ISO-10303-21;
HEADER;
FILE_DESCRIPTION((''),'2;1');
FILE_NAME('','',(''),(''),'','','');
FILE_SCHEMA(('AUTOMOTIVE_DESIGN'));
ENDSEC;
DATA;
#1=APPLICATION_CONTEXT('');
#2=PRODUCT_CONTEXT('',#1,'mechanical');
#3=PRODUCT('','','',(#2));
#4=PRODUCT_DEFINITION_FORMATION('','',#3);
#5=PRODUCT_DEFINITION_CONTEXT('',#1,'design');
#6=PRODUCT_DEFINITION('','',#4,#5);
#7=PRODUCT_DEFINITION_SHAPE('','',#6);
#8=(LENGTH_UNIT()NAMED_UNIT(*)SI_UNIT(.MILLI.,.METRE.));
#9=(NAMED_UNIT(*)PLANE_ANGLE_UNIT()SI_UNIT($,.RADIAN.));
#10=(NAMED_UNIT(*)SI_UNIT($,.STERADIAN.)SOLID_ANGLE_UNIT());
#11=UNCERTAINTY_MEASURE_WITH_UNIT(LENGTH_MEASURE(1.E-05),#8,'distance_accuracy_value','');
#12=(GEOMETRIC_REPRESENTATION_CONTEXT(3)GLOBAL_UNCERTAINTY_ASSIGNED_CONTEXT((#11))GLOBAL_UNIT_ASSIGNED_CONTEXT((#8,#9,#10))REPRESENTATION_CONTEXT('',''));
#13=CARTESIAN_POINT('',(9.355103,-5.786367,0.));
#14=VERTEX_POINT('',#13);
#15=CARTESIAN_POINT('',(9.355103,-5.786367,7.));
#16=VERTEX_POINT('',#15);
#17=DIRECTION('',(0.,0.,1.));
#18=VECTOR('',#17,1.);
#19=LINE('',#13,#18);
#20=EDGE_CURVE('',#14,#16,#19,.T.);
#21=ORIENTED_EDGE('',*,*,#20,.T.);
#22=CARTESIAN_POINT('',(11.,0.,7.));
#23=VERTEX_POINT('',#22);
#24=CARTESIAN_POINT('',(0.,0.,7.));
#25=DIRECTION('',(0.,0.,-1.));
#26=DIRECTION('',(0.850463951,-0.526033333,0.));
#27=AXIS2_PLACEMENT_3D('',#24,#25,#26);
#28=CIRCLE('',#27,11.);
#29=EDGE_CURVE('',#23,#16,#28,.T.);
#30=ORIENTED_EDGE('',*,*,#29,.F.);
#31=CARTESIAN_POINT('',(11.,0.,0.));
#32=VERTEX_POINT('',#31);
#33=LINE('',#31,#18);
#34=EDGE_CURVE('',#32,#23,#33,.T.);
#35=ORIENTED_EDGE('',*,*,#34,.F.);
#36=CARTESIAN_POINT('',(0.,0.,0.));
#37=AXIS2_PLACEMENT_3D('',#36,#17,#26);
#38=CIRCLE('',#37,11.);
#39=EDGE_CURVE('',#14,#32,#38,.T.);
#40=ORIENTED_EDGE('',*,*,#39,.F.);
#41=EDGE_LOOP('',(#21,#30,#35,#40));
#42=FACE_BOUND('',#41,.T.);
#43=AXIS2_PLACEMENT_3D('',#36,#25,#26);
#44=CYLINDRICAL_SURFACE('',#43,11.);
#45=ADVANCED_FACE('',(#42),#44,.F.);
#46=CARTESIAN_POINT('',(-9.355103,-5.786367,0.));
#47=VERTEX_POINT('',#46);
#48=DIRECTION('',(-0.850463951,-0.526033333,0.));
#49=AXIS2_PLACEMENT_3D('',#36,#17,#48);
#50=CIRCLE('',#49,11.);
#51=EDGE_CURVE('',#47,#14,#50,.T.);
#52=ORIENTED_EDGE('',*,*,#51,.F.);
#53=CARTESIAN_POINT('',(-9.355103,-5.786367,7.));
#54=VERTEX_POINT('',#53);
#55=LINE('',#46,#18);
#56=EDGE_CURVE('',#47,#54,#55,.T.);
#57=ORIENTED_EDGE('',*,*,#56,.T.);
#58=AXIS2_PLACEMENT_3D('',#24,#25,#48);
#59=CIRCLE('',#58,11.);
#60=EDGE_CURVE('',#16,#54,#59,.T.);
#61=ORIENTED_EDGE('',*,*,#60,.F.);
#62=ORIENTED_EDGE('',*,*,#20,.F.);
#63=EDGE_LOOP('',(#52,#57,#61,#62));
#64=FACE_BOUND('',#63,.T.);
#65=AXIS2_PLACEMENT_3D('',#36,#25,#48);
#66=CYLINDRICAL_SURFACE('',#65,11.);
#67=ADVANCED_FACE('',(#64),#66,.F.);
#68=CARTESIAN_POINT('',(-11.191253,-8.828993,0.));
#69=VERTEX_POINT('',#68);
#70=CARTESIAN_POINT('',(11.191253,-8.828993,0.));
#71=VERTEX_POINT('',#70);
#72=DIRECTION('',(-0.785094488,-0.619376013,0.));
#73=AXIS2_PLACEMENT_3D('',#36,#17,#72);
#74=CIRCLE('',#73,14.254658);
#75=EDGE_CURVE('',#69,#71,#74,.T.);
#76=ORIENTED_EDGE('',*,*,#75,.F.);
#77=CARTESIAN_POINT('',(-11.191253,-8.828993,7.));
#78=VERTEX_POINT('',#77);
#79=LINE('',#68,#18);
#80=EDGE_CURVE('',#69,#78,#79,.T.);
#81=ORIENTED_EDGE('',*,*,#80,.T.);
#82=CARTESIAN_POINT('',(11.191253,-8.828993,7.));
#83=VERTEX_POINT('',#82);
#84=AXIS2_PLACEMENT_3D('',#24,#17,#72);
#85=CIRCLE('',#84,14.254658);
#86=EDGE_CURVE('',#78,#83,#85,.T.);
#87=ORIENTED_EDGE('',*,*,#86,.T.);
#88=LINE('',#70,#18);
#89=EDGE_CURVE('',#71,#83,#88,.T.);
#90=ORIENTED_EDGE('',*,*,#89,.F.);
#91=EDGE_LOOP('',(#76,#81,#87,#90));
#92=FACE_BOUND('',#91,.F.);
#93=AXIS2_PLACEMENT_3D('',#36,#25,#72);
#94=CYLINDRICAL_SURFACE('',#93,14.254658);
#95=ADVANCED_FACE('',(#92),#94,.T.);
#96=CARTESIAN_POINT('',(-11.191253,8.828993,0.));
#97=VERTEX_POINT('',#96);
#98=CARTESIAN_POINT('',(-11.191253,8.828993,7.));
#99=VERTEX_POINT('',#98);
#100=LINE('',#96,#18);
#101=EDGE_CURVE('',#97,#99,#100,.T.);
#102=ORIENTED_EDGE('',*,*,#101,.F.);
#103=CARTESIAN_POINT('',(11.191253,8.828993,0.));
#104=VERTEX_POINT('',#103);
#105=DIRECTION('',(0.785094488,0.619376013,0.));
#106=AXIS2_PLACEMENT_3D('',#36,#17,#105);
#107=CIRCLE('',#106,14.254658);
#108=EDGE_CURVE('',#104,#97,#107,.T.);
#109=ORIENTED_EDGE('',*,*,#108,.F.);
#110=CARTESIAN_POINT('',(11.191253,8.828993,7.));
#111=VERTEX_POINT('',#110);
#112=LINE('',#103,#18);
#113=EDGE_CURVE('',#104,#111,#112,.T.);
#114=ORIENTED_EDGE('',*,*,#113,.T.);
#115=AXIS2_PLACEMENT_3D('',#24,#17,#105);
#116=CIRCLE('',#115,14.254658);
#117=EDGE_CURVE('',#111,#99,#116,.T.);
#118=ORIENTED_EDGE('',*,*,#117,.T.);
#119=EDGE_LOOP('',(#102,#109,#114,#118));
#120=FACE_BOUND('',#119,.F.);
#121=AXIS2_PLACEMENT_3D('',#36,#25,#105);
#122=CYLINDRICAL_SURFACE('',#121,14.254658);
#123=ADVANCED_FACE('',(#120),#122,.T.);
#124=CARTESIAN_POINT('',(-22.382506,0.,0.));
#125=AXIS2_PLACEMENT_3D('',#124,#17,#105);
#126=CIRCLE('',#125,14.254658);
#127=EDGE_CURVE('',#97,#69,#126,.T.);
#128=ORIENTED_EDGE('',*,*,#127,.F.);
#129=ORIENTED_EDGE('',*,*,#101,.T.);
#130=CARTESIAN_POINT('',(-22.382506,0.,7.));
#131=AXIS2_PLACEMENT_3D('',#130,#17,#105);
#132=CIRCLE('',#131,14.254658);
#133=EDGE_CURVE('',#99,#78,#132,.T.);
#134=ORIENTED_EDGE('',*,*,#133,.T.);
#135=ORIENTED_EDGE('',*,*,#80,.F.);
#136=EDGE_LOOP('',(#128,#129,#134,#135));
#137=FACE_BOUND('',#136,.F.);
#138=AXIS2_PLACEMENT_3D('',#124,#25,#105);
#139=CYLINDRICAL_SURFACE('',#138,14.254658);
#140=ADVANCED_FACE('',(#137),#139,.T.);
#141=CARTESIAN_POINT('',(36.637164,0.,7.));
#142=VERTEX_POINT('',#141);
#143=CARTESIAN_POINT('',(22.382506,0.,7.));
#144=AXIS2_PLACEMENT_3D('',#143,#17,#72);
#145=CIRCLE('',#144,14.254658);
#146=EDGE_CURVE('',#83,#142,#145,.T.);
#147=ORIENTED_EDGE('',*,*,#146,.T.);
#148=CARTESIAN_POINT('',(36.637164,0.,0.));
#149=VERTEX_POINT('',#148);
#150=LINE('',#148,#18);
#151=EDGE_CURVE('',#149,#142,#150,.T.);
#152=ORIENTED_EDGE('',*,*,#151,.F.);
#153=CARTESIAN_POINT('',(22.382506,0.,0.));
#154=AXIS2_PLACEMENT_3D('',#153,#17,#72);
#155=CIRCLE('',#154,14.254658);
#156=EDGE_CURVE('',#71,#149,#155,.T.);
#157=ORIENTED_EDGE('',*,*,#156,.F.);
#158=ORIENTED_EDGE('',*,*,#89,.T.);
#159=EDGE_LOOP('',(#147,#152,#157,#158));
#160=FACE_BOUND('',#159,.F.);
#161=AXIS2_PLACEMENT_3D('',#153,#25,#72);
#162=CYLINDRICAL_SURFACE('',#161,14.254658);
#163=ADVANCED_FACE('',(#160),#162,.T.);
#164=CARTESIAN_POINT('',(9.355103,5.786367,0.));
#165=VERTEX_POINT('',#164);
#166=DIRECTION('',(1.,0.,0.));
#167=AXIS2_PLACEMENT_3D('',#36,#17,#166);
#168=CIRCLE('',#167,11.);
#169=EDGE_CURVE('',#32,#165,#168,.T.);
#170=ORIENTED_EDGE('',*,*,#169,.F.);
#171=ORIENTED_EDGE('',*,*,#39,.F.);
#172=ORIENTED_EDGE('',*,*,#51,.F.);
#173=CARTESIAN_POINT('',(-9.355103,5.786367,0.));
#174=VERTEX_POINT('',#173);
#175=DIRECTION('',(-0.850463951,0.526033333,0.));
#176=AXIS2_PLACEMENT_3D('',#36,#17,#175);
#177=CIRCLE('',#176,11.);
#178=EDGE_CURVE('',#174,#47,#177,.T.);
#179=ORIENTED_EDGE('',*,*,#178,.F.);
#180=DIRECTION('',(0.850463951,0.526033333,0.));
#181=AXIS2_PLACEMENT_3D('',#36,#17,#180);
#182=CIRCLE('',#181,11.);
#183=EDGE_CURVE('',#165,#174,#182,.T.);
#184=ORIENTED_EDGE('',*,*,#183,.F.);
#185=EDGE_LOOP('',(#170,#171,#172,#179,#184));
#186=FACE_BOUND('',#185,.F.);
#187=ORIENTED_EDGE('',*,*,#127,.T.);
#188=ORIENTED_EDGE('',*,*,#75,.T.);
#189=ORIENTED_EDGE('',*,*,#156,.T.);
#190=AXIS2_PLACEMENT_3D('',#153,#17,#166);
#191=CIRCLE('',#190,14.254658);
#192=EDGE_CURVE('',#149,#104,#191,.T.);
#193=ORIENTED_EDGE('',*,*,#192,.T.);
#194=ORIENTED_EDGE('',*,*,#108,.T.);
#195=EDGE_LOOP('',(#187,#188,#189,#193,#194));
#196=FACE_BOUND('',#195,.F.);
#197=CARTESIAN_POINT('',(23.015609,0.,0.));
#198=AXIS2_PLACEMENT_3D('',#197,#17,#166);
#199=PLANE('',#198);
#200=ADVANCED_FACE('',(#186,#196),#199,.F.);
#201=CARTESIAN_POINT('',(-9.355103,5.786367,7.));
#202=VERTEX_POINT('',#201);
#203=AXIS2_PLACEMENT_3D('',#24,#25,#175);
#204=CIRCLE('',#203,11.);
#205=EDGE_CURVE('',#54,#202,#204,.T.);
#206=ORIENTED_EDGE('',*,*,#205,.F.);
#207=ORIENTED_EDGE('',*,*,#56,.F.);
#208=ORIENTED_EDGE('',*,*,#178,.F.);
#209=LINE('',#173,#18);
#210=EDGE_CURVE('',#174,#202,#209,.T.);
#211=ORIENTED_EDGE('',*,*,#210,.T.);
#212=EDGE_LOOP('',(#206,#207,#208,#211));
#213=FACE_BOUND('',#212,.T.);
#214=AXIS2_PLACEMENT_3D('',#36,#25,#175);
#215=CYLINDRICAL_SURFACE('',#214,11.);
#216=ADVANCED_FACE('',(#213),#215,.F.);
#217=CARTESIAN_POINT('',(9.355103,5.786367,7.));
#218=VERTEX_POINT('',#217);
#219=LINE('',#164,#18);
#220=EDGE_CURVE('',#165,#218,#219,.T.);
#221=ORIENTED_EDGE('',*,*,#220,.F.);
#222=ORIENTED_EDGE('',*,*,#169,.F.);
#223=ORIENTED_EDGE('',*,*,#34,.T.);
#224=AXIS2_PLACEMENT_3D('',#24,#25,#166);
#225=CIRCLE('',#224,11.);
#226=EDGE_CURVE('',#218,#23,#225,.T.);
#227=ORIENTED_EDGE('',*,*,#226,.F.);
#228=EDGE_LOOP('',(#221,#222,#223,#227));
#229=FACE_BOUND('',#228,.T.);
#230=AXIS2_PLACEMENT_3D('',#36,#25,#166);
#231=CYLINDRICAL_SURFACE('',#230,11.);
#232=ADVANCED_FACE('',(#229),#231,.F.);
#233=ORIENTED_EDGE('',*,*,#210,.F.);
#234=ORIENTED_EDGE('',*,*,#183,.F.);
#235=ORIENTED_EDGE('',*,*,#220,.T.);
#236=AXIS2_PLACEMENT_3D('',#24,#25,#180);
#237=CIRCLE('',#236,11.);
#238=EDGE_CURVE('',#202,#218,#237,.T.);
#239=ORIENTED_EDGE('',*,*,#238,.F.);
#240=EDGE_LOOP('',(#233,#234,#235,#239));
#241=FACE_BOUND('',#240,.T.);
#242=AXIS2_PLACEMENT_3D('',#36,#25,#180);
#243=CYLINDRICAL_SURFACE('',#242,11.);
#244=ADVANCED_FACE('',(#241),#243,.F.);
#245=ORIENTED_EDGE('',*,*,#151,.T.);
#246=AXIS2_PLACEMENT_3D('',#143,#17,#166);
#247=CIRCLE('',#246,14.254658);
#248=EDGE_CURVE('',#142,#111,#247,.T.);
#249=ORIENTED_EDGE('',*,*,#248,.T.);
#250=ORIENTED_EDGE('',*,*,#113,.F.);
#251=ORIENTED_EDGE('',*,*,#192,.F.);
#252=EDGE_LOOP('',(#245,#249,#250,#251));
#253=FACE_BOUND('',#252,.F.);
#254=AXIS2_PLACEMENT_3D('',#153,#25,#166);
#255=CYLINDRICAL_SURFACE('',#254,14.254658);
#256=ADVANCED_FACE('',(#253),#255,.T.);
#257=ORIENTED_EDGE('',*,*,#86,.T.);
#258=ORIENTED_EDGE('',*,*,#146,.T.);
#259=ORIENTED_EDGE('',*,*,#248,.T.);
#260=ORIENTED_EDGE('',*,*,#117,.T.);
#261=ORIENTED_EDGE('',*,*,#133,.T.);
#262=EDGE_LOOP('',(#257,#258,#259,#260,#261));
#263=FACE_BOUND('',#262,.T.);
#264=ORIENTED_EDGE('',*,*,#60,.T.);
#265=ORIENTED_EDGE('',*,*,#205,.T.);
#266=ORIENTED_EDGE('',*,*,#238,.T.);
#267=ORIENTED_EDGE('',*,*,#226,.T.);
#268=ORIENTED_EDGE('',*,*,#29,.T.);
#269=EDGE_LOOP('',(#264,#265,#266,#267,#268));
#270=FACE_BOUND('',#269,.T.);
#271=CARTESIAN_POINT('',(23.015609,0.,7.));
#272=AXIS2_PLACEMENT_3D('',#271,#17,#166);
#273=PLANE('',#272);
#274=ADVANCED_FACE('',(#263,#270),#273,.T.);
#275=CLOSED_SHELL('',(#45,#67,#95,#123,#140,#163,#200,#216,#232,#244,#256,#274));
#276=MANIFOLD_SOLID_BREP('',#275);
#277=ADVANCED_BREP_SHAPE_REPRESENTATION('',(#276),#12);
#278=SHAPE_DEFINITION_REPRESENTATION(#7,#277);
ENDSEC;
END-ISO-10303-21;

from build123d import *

# Parameters (mm, degrees)
F1_DEPTH = 7
F2_DEPTH = 25


with BuildPart() as f1:
    # F0 (on Top) → F1 (new body)
    with BuildSketch(Plane.XY):
        with BuildLine():
            ThreePointArc((11.1912532195, 8.8289930758), (13.467047778, 4.6726749835), (14.2546577425, 0))
            ThreePointArc((14.2546577425, 0), (13.467047778, -4.6726749835), (11.1912532195, -8.8289930758))
            ThreePointArc((11.1912532195, -8.8289930758), (27.0551814224, -13.467047778), (36.6371641815, 0))
            ThreePointArc((36.6371641815, 0), (27.0551814224, 13.467047778), (11.1912532195, 8.8289930758))
        make_face()
        with BuildLine():
            ThreePointArc((11, 0), (10.5807877336, 3.0078116524), (9.3551034661, 5.7863666613))
            ThreePointArc((9.3551034661, 5.7863666613), (8.1278486965, 0), (9.3551034661, -5.7863666613))
            ThreePointArc((9.3551034661, -5.7863666613), (10.5807877336, -3.0078116524), (11, 0))
        make_face()
        with BuildLine():
            ThreePointArc((-11.1912532195, -8.8289930758), (-14.2546577425, 0), (-11.1912532195, 8.8289930758))
            ThreePointArc((-11.1912532195, 8.8289930758), (-36.6371641815, 0), (-11.1912532195, -8.8289930758))
        make_face()
        with BuildLine():
            ThreePointArc((-8.1278486965, 0), (-8.4380373202, 2.9575409299), (-9.3551034661, 5.7863666613))
            ThreePointArc((-9.3551034661, 5.7863666613), (-11, 0), (-9.3551034661, -5.7863666613))
            ThreePointArc((-9.3551034661, -5.7863666613), (-8.4380373202, -2.9575409299), (-8.1278486965, 0))
        make_face()
        with BuildLine():
            ThreePointArc((9.3551034661, 5.7863666613), (10.1779900284, 7.3651236609), (11.1912532195, 8.8289930758))
            ThreePointArc((11.1912532195, 8.8289930758), (0, 14.2546577425), (-11.1912532195, 8.8289930758))
            ThreePointArc((-11.1912532195, 8.8289930758), (-10.1779900284, 7.3651236609), (-9.3551034661, 5.7863666613))
            ThreePointArc((-9.3551034661, 5.7863666613), (0, 11), (9.3551034661, 5.7863666613))
        make_face()
        with BuildLine():
            ThreePointArc((-11.1912532195, -8.8289930758), (0, -14.2546577425), (11.1912532195, -8.8289930758))
            ThreePointArc((11.1912532195, -8.8289930758), (10.1779900284, -7.3651236609), (9.3551034661, -5.7863666613))
            ThreePointArc((9.3551034661, -5.7863666613), (0, -11), (-9.3551034661, -5.7863666613))
            ThreePointArc((-9.3551034661, -5.7863666613), (-10.1779900284, -7.3651236609), (-11.1912532195, -8.8289930758))
        make_face()
        with BuildLine():
            ThreePointArc((-9.3551034661, 5.7863666613), (-10.1779900284, 7.3651236609), (-11.1912532195, 8.8289930758))
            ThreePointArc((-11.1912532195, 8.8289930758), (-14.2546577425, 0), (-11.1912532195, -8.8289930758))
            ThreePointArc((-11.1912532195, -8.8289930758), (-10.1779900284, -7.3651236609), (-9.3551034661, -5.7863666613))
            ThreePointArc((-9.3551034661, -5.7863666613), (-11, 0), (-9.3551034661, 5.7863666613))
        make_face()
        with BuildLine():
            ThreePointArc((11.1912532195, -8.8289930758), (13.467047778, -4.6726749835), (14.2546577425, 0))
            ThreePointArc((14.2546577425, 0), (13.467047778, 4.6726749835), (11.1912532195, 8.8289930758))
            ThreePointArc((11.1912532195, 8.8289930758), (10.1779900284, 7.3651236609), (9.3551034661, 5.7863666613))
            ThreePointArc((9.3551034661, 5.7863666613), (10.5807877336, 3.0078116524), (11, 0))
            ThreePointArc((11, 0), (10.5807877336, -3.0078116524), (9.3551034661, -5.7863666613))
            ThreePointArc((9.3551034661, -5.7863666613), (10.1779900284, -7.3651236609), (11.1912532195, -8.8289930758))
        make_face()
        with BuildLine():
            ThreePointArc((9.3551034661, -5.7863666613), (8.1278486965, 0), (9.3551034661, 5.7863666613))
            ThreePointArc((9.3551034661, 5.7863666613), (0, 11), (-9.3551034661, 5.7863666613))
            ThreePointArc((-9.3551034661, 5.7863666613), (-8.4380373202, 2.9575409299), (-8.1278486965, 0))
            ThreePointArc((-8.1278486965, 0), (-8.4380373202, -2.9575409299), (-9.3551034661, -5.7863666613))
            ThreePointArc((-9.3551034661, -5.7863666613), (0, -11), (9.3551034661, -5.7863666613))
        make_face()
    extrude(amount=F1_DEPTH)

    # F0 (on Top) → F2 (cut)
    with BuildSketch(Plane.XY):
        with BuildLine():
            ThreePointArc((9.3551034661, -5.7863666613), (8.1278486965, 0), (9.3551034661, 5.7863666613))
            ThreePointArc((9.3551034661, 5.7863666613), (0, 11), (-9.3551034661, 5.7863666613))
            ThreePointArc((-9.3551034661, 5.7863666613), (-8.4380373202, 2.9575409299), (-8.1278486965, 0))
            ThreePointArc((-8.1278486965, 0), (-8.4380373202, -2.9575409299), (-9.3551034661, -5.7863666613))
            ThreePointArc((-9.3551034661, -5.7863666613), (0, -11), (9.3551034661, -5.7863666613))
        make_face()
        with BuildLine():
            ThreePointArc((-8.1278486965, 0), (-8.4380373202, 2.9575409299), (-9.3551034661, 5.7863666613))
            ThreePointArc((-9.3551034661, 5.7863666613), (-11, 0), (-9.3551034661, -5.7863666613))
            ThreePointArc((-9.3551034661, -5.7863666613), (-8.4380373202, -2.9575409299), (-8.1278486965, 0))
        make_face()
        with BuildLine():
            ThreePointArc((11, 0), (10.5807877336, 3.0078116524), (9.3551034661, 5.7863666613))
            ThreePointArc((9.3551034661, 5.7863666613), (8.1278486965, 0), (9.3551034661, -5.7863666613))
            ThreePointArc((9.3551034661, -5.7863666613), (10.5807877336, -3.0078116524), (11, 0))
        make_face()
    extrude(amount=F2_DEPTH, mode=Mode.SUBTRACT)


solid = f1.part
